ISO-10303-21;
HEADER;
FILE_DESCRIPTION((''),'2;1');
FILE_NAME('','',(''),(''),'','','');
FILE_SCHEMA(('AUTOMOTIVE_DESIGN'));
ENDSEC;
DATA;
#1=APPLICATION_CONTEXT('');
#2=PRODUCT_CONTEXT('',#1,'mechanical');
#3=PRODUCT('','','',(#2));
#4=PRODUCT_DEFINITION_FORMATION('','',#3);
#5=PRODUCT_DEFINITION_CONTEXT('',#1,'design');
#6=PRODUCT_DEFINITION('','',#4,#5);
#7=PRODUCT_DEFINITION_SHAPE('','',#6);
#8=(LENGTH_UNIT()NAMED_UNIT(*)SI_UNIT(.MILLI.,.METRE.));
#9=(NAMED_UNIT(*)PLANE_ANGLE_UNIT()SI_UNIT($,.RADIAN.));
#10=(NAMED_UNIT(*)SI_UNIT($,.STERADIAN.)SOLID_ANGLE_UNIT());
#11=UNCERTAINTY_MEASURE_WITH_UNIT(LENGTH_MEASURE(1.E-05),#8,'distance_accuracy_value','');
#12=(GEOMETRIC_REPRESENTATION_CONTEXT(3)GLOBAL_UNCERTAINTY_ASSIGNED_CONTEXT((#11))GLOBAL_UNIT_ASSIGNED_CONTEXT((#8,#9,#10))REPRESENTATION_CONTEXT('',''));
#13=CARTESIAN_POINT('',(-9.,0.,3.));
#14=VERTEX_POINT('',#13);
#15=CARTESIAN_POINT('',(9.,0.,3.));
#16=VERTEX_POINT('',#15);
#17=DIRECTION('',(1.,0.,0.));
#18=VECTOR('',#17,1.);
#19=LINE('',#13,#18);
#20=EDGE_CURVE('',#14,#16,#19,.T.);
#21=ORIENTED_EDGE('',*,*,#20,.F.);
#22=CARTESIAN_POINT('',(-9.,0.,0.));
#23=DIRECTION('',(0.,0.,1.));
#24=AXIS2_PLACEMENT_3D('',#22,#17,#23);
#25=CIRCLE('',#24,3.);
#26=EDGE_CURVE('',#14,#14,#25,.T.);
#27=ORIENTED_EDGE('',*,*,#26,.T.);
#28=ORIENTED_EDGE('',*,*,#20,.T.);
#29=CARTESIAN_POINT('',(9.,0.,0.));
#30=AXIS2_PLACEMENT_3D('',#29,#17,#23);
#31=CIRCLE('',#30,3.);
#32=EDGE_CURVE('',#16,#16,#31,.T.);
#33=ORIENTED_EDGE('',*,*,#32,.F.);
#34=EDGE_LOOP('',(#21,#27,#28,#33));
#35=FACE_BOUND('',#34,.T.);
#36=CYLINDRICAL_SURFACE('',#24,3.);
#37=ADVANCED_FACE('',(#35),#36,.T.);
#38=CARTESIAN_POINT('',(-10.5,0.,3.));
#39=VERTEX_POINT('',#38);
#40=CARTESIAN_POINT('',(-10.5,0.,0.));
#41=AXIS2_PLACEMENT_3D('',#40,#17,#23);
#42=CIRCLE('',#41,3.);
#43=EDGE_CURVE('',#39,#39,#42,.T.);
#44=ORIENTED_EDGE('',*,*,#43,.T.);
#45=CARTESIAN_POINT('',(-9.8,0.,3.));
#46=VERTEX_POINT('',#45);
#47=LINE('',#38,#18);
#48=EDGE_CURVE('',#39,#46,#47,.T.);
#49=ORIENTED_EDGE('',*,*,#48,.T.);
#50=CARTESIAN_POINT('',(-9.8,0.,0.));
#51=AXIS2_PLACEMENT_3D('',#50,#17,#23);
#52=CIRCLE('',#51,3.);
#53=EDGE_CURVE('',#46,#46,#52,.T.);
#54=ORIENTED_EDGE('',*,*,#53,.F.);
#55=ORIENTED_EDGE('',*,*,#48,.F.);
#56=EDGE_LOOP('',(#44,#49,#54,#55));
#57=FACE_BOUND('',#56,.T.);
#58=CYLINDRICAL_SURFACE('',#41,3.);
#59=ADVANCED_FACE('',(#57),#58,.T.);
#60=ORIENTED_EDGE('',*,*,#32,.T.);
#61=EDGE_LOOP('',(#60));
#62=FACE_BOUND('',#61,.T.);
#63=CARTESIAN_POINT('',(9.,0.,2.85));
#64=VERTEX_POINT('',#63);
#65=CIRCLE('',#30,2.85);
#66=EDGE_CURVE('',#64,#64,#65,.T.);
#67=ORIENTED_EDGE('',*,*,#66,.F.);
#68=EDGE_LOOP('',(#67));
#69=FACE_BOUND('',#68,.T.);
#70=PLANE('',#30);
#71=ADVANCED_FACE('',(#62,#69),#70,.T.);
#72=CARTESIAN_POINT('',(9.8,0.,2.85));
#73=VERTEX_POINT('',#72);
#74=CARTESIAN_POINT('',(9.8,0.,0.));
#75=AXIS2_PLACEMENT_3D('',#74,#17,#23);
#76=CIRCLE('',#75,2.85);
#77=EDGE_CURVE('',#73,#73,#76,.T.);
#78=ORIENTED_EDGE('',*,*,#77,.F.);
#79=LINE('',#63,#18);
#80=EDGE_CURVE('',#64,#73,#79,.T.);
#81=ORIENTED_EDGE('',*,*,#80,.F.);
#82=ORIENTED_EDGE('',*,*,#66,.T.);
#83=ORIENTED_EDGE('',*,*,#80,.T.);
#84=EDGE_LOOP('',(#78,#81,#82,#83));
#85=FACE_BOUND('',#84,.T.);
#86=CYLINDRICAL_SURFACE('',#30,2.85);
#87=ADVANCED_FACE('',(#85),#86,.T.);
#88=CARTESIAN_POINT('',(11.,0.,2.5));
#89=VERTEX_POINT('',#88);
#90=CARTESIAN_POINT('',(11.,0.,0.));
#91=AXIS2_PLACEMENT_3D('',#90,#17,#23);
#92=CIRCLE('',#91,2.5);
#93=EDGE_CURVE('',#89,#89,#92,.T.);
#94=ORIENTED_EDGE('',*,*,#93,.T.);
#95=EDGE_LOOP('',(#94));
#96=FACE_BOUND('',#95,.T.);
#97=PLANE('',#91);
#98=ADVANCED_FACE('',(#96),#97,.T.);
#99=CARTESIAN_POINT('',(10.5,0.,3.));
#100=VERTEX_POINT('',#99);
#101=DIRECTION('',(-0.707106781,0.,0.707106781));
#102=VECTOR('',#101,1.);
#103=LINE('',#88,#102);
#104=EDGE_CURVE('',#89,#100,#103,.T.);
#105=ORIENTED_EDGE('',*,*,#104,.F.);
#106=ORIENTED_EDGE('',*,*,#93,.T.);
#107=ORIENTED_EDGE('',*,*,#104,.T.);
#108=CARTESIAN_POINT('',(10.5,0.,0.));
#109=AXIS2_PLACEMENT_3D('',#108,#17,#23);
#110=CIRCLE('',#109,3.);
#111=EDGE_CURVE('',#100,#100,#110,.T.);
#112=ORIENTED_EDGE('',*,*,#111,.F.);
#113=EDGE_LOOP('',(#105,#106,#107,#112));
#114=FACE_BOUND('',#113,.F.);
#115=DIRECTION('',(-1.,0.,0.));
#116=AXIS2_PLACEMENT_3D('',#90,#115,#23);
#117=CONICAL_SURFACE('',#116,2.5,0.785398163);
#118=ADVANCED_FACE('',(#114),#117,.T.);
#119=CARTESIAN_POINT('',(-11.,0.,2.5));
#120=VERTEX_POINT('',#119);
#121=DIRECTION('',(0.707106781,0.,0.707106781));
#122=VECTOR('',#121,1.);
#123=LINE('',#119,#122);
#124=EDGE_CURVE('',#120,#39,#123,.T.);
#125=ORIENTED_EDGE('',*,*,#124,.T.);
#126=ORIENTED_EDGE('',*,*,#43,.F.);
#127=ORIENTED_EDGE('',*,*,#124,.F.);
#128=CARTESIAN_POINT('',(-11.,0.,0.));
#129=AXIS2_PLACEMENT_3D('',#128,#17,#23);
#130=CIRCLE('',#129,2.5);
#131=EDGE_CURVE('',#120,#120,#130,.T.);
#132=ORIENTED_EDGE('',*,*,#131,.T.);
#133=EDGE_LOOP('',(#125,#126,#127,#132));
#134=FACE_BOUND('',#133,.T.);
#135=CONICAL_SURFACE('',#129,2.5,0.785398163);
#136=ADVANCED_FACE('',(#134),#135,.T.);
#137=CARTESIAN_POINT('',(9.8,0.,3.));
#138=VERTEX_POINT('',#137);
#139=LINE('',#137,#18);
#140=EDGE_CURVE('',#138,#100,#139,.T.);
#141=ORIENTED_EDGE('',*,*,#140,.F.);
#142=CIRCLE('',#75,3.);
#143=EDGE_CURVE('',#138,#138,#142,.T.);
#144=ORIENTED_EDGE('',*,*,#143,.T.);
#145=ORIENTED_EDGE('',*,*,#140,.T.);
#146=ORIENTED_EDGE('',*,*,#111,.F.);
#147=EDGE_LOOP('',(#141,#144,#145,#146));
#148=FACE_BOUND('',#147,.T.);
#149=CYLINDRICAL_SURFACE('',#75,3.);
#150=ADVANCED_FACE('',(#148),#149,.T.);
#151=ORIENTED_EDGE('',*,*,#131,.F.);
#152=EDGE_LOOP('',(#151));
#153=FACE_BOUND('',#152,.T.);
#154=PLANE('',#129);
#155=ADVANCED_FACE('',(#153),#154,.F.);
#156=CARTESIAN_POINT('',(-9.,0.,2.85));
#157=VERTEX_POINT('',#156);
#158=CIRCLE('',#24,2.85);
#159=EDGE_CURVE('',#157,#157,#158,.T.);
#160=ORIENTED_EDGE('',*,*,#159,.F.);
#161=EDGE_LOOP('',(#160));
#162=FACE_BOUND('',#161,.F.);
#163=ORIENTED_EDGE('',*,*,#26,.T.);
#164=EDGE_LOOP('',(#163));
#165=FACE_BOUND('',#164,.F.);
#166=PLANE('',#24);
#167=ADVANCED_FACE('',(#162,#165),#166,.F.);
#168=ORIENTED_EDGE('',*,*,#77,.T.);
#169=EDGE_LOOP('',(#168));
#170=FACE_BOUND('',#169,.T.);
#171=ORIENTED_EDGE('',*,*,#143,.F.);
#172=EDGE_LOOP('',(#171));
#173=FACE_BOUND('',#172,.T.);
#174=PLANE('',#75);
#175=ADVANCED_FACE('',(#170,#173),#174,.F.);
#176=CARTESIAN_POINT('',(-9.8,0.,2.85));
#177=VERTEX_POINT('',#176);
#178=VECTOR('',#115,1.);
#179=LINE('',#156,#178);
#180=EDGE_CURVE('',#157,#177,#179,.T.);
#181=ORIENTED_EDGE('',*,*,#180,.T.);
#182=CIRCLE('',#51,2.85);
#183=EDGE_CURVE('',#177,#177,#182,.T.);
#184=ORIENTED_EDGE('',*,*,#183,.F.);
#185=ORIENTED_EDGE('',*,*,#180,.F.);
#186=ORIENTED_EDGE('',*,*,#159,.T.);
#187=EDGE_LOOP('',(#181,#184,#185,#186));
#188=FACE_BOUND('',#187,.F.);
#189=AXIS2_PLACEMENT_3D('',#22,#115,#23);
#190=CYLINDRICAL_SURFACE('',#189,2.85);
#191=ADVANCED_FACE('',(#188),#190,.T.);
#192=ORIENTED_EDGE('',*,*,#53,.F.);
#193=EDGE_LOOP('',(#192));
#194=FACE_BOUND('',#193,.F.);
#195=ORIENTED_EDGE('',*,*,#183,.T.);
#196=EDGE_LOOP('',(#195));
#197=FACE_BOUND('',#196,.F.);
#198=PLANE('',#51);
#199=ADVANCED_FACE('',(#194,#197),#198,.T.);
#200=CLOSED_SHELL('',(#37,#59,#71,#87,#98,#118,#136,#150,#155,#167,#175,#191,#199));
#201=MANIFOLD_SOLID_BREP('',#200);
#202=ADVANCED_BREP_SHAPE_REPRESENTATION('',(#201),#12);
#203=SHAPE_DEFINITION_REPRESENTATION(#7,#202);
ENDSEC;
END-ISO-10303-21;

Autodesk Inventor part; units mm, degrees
ref_plane "YZ Plane" through (0, 0, 0) normal (1, 0, 0) x (0, 1, 0)
ref_plane "XZ Plane" through (0, 0, 0) normal (0, 1, 0) x (-1, 0, 0)
ref_plane "XY Plane" through (0, 0, 0) normal (0, 0, 1) x (1, 0, 0)
sketch "Skizze2" plane through (0, 0, 0) normal (0, 1, 0) x (-1, 0, 0)
  line L0 (15.4, 0) -> (-15.4, 0) projected
  line L1 (0, -0.6) -> (0, 3.6) projected
  line L2 (-11, 0) -> (11, 0)
  line L3 (11, 0) -> (11, 2.5)
  line L4 (-11, 2.5) -> (-11, 0)
  line L5 (-9, 3) -> (-9, 2.85)
  line L6 (-9, 2.85) -> (-9.8, 2.85)
  line L7 (-9.8, 2.85) -> (-9.8, 3)
  line L8 (9, 3) -> (9, 2.85)
  line L9 (9, 2.85) -> (9.8, 2.85)
  line L10 (9.8, 2.85) -> (9.8, 3)
  line L11 (-9.8, 3) -> (-10.5, 3)
  line L12 (10.5, 3) -> (9.8, 3)
  line L13 (9, 3) -> (-9, 3)
  line L14 (-11, 2.5) -> (-10.5, 3)
  line L15 (11, 2.5) -> (10.5, 3)
  point P0 (0, 0)
  point P1 (11, 3)
  point P2 (-11, 3)
  dimension "d3" = 6
  dimension "d4" = 5.7
  dimension "d5" = 22
  dimension "d6" = 18
  dimension "d7" = 0.8
  dimension "d8" = 0.5
  dimension "d9" = 0.5
  dimension "d10" = 0.5
  dimension "d11" = 0.5
revolve "Umdrehung1" add sketch "Skizze2" angle 360 about axis through (-10, 0, 0) along (1, 0, 0)
equation "\"d9\" = d8"
equation "\"d10\" = d8"
equation "\"d11\" = d10"
properties part number "13_0204_054"
